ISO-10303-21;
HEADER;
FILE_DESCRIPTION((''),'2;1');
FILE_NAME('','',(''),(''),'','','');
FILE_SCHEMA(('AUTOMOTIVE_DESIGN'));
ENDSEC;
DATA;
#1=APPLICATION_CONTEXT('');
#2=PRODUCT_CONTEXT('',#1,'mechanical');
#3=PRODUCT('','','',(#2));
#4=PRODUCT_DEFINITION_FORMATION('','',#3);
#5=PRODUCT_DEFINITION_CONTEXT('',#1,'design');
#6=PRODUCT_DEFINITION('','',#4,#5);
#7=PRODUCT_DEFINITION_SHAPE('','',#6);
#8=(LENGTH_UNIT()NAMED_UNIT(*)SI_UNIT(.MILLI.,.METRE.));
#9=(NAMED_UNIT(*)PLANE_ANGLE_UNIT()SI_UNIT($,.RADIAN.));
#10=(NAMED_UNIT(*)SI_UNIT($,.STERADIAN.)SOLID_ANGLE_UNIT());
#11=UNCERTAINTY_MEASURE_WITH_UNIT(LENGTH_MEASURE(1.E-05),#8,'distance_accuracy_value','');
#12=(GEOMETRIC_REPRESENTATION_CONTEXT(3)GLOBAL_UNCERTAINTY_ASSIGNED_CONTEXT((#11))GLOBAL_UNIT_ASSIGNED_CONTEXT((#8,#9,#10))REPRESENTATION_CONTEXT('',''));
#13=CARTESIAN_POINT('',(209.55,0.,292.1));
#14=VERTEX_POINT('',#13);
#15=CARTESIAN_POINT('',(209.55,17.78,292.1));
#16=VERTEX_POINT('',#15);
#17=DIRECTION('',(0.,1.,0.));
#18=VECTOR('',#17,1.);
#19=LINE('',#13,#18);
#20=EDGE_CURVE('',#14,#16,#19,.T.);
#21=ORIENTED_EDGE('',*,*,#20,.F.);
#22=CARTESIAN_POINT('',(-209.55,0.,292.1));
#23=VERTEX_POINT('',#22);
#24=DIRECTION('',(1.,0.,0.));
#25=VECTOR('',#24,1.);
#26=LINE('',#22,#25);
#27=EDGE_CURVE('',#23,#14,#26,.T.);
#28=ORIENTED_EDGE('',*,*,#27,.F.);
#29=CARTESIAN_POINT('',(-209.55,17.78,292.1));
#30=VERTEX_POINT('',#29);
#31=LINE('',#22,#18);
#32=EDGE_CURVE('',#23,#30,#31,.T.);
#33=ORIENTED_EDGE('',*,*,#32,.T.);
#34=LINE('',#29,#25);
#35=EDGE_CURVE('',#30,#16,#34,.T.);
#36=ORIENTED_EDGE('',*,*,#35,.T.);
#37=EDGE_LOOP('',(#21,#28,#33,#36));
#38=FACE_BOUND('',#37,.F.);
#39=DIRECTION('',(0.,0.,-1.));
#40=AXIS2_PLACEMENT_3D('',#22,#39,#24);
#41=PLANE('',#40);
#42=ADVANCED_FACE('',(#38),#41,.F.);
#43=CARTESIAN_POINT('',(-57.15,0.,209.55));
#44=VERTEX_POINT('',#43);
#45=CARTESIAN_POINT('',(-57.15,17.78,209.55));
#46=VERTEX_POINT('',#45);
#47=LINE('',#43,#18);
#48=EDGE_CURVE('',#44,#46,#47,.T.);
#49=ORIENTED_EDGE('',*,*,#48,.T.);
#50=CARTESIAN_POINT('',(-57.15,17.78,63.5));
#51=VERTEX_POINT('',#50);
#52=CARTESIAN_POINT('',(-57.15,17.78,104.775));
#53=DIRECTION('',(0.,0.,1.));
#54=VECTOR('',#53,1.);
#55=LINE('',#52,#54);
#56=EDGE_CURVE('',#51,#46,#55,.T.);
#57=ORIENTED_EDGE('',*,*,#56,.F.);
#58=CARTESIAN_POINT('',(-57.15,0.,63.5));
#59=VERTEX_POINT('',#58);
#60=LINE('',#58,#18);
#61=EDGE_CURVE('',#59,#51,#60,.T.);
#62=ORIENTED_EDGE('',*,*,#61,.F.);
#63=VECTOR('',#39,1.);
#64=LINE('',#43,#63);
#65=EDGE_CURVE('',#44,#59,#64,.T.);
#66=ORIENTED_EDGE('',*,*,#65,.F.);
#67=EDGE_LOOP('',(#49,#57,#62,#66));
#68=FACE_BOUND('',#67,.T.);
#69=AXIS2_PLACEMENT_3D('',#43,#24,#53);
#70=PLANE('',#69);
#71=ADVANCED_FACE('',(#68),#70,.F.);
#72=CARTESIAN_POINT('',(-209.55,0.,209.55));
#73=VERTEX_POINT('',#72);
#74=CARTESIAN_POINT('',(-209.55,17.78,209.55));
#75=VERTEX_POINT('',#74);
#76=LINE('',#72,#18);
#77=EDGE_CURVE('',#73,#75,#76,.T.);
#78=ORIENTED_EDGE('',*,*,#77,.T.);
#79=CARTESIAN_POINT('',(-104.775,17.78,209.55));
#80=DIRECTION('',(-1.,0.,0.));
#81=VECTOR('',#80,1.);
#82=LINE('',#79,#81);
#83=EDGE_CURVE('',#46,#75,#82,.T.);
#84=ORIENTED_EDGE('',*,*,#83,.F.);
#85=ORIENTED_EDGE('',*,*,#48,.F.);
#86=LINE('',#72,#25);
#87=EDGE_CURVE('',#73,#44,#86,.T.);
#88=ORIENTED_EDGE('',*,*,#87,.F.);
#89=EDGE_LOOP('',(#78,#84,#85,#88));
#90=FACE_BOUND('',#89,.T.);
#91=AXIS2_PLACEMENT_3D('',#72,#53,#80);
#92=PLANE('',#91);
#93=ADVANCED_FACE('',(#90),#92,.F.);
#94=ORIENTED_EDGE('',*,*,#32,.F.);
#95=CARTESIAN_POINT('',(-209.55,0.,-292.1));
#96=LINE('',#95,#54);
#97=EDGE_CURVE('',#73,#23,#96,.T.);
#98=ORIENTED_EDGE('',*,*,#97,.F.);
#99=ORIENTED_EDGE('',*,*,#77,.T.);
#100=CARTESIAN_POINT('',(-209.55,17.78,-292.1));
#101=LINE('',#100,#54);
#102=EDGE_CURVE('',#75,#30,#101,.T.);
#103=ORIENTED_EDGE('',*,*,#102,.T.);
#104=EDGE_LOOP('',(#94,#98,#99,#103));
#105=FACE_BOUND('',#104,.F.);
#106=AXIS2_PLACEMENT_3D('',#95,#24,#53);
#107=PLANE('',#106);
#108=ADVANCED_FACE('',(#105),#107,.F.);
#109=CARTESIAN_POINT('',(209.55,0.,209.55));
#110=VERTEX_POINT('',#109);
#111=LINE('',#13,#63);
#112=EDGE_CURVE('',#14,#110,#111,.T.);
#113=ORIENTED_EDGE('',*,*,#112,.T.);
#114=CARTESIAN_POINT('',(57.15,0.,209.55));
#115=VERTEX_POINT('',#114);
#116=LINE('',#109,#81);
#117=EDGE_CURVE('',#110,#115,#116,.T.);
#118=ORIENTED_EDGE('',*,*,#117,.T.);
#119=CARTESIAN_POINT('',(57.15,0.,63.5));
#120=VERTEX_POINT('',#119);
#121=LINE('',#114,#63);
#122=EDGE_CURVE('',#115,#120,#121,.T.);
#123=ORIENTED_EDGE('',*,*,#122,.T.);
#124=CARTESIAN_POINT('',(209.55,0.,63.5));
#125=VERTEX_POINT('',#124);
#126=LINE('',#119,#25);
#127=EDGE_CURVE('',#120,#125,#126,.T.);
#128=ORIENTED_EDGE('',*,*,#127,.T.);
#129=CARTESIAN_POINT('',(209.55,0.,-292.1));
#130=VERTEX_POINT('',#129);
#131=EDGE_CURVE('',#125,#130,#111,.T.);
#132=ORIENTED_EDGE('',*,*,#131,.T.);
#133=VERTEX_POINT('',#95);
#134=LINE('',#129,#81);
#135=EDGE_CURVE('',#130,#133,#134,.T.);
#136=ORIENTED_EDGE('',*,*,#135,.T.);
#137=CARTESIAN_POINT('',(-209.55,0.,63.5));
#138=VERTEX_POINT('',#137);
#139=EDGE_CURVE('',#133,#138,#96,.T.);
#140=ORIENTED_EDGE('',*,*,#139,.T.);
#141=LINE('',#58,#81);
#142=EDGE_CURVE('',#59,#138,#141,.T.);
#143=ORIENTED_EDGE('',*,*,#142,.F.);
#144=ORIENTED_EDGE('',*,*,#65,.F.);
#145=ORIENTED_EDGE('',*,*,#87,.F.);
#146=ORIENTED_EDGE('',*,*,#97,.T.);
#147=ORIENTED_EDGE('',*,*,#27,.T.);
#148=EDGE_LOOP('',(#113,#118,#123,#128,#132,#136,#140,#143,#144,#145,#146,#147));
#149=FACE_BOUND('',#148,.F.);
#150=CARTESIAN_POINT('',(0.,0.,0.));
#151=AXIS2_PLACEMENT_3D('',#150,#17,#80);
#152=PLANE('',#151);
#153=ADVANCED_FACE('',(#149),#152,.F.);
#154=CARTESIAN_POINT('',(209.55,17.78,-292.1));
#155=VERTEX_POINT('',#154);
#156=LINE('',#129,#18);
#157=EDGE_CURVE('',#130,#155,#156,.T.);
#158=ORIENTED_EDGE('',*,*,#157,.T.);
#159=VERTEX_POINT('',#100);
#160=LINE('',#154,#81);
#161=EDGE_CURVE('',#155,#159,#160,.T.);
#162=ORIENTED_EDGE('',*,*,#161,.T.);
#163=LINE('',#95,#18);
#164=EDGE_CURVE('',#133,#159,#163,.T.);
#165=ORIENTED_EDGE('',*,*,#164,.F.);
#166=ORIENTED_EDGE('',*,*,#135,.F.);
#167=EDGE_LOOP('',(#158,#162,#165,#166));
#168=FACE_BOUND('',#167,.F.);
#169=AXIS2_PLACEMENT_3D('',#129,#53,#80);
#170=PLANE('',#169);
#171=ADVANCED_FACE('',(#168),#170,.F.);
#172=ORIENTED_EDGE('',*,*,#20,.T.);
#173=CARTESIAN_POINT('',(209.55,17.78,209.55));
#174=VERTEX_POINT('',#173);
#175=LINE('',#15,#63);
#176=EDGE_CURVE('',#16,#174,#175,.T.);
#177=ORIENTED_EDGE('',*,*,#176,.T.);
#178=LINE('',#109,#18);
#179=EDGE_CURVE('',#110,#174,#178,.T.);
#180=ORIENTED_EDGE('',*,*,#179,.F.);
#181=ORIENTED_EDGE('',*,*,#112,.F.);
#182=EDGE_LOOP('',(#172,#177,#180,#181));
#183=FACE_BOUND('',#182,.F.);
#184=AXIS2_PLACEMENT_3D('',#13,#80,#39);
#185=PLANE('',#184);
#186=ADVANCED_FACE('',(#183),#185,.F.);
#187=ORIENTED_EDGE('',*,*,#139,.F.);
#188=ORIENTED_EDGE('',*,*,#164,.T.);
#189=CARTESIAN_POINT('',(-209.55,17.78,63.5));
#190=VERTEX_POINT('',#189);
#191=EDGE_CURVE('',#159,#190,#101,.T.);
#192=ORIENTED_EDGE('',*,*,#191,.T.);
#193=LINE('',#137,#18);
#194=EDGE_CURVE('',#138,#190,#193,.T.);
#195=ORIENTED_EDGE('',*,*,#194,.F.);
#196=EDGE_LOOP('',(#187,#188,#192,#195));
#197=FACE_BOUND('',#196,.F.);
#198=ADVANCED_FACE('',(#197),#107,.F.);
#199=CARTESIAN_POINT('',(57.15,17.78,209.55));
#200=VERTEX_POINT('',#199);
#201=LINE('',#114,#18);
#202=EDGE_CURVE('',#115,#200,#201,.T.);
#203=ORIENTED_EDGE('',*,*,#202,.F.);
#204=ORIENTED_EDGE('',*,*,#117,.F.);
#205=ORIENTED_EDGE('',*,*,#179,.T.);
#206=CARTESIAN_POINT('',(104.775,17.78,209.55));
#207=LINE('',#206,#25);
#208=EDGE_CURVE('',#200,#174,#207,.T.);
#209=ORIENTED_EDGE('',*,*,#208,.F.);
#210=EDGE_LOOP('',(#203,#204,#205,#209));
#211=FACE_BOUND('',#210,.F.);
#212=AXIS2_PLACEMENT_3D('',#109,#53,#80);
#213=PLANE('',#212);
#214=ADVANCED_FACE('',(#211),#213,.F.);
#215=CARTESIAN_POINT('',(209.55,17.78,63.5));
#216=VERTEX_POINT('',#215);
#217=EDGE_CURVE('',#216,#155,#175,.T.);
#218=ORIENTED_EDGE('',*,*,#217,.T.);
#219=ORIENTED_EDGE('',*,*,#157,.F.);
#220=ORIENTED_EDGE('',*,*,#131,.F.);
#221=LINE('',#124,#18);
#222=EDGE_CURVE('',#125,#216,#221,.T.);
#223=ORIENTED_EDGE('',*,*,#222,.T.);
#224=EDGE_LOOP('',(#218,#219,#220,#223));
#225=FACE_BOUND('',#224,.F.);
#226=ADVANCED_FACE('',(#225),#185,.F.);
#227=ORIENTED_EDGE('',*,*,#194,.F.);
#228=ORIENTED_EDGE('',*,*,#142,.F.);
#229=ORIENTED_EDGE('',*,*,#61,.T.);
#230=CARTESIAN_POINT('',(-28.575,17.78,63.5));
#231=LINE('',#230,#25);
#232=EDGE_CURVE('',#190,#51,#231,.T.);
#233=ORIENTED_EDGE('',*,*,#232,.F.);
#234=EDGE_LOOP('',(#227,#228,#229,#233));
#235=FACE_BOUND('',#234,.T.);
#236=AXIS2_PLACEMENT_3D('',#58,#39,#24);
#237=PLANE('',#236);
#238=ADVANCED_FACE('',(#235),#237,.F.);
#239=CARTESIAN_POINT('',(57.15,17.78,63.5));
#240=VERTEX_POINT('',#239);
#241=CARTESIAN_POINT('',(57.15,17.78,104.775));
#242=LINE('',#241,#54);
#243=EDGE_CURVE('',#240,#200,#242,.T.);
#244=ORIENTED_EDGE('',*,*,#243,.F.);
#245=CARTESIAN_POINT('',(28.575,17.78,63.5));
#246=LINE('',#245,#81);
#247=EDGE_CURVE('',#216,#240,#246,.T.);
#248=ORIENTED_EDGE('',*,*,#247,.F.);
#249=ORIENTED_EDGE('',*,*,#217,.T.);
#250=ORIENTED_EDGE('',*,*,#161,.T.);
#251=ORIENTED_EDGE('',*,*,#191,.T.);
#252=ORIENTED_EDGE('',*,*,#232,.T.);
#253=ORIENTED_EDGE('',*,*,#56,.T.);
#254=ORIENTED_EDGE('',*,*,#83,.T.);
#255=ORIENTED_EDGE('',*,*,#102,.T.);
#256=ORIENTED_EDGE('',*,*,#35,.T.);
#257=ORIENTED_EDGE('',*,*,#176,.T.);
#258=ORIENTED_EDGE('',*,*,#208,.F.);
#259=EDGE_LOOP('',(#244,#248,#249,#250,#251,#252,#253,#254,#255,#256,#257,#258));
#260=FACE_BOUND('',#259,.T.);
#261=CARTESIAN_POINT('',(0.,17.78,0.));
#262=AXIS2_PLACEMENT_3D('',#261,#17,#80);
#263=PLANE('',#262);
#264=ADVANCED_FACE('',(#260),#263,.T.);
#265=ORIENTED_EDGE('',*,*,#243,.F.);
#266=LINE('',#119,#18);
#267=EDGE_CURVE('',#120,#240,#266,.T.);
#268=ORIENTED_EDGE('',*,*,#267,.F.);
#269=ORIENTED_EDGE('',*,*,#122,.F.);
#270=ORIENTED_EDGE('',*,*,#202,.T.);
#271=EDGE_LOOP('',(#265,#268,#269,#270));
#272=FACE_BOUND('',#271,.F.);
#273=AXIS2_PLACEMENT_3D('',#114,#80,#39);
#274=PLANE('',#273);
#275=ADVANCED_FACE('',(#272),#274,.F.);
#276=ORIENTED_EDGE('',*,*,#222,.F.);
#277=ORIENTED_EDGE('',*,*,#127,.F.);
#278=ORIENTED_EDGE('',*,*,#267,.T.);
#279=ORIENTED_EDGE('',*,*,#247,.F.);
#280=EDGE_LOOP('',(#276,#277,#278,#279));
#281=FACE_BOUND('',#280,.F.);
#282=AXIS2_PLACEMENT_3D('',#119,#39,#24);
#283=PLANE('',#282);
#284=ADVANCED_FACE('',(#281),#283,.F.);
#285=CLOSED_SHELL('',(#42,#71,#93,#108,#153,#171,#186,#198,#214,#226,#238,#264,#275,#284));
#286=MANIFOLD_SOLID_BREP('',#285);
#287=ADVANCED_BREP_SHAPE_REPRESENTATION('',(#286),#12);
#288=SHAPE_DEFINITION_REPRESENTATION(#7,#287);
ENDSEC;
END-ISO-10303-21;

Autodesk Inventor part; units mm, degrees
ref_plane "XZ Plane" through (0, 0, 0) normal (0, 1, 0) x (-1, 0, 0)
ref_plane "XY Plane" through (0, 0, 0) normal (0, 0, 1) x (1, 0, 0)
sketch "Sketch1" plane through (0, 0, 0) normal (0, 1, 0) x (-1, 0, 0)
  line L0 (-209.55, 292.1) -> (-209.55, -292.1)
  line L1 (-209.55, -292.1) -> (209.55, -292.1)
  line L2 (209.55, -292.1) -> (209.55, 292.1)
  line L3 (209.55, 292.1) -> (-209.55, 292.1)
  line L4 (-209.55, 292.1) -> (209.55, -292.1) construction
  line L5 (-209.55, -292.1) -> (209.55, 292.1) construction
  point P0 (0, 0)
  dimension "baseLength" = 584.2
  dimension "baseWidth" = 419.1
extrude "Extrusion1" add sketch "Sketch1" along normal blind 17.78
sketch "Sketch2" plane through (0, 0, 0) normal (0, -1, 0) x (1, 0, 0)
  line L0 (209.55, 292.1) -> (209.55, -292.1) projected
  line L1 (209.55, 209.55) -> (57.15, 209.55)
  line L2 (57.15, 209.55) -> (57.15, 63.5)
  line L3 (57.15, 63.5) -> (209.55, 63.5)
  line L4 (209.55, 63.5) -> (209.55, 209.55)
  line L5 (-209.55, 292.1) -> (209.55, 292.1) projected
  point P0 (0, 0)
  dimension "backToEndOfGearBox" = 82.55
  dimension "backToFrontOfGearBox" = 228.6
  dimension "wdithForGearBox" = 152.4
extrude "Extrusion2" cut sketch "Sketch2" against normal through all
mirror "Mirror1" about plane through (0, 0, 0) normal (1, 0, 0) of "Extrusion2"
equation "\"baseLength\" = userBaseLength"
equation "\"baseWidth\" = userBaseWidth"
equation "\"spaceingAlongSides\" = 3.175"
equation "\"distanceFromBackForEndBolt\" = 38.1"
equation "\"spacingForBolt\" = 25.4"
equation "\"widthOfSpacingForBolt\" = 12.7"
equation "\"lengthOfSpacingForBolt\" = 25.4"
equation "\"userBaseWidth\" = 419.1"
equation "\"userBaseLength\" = 584.2"
properties part number "RhinoBottomFloorPlate05" material "Wood (Birch)"
